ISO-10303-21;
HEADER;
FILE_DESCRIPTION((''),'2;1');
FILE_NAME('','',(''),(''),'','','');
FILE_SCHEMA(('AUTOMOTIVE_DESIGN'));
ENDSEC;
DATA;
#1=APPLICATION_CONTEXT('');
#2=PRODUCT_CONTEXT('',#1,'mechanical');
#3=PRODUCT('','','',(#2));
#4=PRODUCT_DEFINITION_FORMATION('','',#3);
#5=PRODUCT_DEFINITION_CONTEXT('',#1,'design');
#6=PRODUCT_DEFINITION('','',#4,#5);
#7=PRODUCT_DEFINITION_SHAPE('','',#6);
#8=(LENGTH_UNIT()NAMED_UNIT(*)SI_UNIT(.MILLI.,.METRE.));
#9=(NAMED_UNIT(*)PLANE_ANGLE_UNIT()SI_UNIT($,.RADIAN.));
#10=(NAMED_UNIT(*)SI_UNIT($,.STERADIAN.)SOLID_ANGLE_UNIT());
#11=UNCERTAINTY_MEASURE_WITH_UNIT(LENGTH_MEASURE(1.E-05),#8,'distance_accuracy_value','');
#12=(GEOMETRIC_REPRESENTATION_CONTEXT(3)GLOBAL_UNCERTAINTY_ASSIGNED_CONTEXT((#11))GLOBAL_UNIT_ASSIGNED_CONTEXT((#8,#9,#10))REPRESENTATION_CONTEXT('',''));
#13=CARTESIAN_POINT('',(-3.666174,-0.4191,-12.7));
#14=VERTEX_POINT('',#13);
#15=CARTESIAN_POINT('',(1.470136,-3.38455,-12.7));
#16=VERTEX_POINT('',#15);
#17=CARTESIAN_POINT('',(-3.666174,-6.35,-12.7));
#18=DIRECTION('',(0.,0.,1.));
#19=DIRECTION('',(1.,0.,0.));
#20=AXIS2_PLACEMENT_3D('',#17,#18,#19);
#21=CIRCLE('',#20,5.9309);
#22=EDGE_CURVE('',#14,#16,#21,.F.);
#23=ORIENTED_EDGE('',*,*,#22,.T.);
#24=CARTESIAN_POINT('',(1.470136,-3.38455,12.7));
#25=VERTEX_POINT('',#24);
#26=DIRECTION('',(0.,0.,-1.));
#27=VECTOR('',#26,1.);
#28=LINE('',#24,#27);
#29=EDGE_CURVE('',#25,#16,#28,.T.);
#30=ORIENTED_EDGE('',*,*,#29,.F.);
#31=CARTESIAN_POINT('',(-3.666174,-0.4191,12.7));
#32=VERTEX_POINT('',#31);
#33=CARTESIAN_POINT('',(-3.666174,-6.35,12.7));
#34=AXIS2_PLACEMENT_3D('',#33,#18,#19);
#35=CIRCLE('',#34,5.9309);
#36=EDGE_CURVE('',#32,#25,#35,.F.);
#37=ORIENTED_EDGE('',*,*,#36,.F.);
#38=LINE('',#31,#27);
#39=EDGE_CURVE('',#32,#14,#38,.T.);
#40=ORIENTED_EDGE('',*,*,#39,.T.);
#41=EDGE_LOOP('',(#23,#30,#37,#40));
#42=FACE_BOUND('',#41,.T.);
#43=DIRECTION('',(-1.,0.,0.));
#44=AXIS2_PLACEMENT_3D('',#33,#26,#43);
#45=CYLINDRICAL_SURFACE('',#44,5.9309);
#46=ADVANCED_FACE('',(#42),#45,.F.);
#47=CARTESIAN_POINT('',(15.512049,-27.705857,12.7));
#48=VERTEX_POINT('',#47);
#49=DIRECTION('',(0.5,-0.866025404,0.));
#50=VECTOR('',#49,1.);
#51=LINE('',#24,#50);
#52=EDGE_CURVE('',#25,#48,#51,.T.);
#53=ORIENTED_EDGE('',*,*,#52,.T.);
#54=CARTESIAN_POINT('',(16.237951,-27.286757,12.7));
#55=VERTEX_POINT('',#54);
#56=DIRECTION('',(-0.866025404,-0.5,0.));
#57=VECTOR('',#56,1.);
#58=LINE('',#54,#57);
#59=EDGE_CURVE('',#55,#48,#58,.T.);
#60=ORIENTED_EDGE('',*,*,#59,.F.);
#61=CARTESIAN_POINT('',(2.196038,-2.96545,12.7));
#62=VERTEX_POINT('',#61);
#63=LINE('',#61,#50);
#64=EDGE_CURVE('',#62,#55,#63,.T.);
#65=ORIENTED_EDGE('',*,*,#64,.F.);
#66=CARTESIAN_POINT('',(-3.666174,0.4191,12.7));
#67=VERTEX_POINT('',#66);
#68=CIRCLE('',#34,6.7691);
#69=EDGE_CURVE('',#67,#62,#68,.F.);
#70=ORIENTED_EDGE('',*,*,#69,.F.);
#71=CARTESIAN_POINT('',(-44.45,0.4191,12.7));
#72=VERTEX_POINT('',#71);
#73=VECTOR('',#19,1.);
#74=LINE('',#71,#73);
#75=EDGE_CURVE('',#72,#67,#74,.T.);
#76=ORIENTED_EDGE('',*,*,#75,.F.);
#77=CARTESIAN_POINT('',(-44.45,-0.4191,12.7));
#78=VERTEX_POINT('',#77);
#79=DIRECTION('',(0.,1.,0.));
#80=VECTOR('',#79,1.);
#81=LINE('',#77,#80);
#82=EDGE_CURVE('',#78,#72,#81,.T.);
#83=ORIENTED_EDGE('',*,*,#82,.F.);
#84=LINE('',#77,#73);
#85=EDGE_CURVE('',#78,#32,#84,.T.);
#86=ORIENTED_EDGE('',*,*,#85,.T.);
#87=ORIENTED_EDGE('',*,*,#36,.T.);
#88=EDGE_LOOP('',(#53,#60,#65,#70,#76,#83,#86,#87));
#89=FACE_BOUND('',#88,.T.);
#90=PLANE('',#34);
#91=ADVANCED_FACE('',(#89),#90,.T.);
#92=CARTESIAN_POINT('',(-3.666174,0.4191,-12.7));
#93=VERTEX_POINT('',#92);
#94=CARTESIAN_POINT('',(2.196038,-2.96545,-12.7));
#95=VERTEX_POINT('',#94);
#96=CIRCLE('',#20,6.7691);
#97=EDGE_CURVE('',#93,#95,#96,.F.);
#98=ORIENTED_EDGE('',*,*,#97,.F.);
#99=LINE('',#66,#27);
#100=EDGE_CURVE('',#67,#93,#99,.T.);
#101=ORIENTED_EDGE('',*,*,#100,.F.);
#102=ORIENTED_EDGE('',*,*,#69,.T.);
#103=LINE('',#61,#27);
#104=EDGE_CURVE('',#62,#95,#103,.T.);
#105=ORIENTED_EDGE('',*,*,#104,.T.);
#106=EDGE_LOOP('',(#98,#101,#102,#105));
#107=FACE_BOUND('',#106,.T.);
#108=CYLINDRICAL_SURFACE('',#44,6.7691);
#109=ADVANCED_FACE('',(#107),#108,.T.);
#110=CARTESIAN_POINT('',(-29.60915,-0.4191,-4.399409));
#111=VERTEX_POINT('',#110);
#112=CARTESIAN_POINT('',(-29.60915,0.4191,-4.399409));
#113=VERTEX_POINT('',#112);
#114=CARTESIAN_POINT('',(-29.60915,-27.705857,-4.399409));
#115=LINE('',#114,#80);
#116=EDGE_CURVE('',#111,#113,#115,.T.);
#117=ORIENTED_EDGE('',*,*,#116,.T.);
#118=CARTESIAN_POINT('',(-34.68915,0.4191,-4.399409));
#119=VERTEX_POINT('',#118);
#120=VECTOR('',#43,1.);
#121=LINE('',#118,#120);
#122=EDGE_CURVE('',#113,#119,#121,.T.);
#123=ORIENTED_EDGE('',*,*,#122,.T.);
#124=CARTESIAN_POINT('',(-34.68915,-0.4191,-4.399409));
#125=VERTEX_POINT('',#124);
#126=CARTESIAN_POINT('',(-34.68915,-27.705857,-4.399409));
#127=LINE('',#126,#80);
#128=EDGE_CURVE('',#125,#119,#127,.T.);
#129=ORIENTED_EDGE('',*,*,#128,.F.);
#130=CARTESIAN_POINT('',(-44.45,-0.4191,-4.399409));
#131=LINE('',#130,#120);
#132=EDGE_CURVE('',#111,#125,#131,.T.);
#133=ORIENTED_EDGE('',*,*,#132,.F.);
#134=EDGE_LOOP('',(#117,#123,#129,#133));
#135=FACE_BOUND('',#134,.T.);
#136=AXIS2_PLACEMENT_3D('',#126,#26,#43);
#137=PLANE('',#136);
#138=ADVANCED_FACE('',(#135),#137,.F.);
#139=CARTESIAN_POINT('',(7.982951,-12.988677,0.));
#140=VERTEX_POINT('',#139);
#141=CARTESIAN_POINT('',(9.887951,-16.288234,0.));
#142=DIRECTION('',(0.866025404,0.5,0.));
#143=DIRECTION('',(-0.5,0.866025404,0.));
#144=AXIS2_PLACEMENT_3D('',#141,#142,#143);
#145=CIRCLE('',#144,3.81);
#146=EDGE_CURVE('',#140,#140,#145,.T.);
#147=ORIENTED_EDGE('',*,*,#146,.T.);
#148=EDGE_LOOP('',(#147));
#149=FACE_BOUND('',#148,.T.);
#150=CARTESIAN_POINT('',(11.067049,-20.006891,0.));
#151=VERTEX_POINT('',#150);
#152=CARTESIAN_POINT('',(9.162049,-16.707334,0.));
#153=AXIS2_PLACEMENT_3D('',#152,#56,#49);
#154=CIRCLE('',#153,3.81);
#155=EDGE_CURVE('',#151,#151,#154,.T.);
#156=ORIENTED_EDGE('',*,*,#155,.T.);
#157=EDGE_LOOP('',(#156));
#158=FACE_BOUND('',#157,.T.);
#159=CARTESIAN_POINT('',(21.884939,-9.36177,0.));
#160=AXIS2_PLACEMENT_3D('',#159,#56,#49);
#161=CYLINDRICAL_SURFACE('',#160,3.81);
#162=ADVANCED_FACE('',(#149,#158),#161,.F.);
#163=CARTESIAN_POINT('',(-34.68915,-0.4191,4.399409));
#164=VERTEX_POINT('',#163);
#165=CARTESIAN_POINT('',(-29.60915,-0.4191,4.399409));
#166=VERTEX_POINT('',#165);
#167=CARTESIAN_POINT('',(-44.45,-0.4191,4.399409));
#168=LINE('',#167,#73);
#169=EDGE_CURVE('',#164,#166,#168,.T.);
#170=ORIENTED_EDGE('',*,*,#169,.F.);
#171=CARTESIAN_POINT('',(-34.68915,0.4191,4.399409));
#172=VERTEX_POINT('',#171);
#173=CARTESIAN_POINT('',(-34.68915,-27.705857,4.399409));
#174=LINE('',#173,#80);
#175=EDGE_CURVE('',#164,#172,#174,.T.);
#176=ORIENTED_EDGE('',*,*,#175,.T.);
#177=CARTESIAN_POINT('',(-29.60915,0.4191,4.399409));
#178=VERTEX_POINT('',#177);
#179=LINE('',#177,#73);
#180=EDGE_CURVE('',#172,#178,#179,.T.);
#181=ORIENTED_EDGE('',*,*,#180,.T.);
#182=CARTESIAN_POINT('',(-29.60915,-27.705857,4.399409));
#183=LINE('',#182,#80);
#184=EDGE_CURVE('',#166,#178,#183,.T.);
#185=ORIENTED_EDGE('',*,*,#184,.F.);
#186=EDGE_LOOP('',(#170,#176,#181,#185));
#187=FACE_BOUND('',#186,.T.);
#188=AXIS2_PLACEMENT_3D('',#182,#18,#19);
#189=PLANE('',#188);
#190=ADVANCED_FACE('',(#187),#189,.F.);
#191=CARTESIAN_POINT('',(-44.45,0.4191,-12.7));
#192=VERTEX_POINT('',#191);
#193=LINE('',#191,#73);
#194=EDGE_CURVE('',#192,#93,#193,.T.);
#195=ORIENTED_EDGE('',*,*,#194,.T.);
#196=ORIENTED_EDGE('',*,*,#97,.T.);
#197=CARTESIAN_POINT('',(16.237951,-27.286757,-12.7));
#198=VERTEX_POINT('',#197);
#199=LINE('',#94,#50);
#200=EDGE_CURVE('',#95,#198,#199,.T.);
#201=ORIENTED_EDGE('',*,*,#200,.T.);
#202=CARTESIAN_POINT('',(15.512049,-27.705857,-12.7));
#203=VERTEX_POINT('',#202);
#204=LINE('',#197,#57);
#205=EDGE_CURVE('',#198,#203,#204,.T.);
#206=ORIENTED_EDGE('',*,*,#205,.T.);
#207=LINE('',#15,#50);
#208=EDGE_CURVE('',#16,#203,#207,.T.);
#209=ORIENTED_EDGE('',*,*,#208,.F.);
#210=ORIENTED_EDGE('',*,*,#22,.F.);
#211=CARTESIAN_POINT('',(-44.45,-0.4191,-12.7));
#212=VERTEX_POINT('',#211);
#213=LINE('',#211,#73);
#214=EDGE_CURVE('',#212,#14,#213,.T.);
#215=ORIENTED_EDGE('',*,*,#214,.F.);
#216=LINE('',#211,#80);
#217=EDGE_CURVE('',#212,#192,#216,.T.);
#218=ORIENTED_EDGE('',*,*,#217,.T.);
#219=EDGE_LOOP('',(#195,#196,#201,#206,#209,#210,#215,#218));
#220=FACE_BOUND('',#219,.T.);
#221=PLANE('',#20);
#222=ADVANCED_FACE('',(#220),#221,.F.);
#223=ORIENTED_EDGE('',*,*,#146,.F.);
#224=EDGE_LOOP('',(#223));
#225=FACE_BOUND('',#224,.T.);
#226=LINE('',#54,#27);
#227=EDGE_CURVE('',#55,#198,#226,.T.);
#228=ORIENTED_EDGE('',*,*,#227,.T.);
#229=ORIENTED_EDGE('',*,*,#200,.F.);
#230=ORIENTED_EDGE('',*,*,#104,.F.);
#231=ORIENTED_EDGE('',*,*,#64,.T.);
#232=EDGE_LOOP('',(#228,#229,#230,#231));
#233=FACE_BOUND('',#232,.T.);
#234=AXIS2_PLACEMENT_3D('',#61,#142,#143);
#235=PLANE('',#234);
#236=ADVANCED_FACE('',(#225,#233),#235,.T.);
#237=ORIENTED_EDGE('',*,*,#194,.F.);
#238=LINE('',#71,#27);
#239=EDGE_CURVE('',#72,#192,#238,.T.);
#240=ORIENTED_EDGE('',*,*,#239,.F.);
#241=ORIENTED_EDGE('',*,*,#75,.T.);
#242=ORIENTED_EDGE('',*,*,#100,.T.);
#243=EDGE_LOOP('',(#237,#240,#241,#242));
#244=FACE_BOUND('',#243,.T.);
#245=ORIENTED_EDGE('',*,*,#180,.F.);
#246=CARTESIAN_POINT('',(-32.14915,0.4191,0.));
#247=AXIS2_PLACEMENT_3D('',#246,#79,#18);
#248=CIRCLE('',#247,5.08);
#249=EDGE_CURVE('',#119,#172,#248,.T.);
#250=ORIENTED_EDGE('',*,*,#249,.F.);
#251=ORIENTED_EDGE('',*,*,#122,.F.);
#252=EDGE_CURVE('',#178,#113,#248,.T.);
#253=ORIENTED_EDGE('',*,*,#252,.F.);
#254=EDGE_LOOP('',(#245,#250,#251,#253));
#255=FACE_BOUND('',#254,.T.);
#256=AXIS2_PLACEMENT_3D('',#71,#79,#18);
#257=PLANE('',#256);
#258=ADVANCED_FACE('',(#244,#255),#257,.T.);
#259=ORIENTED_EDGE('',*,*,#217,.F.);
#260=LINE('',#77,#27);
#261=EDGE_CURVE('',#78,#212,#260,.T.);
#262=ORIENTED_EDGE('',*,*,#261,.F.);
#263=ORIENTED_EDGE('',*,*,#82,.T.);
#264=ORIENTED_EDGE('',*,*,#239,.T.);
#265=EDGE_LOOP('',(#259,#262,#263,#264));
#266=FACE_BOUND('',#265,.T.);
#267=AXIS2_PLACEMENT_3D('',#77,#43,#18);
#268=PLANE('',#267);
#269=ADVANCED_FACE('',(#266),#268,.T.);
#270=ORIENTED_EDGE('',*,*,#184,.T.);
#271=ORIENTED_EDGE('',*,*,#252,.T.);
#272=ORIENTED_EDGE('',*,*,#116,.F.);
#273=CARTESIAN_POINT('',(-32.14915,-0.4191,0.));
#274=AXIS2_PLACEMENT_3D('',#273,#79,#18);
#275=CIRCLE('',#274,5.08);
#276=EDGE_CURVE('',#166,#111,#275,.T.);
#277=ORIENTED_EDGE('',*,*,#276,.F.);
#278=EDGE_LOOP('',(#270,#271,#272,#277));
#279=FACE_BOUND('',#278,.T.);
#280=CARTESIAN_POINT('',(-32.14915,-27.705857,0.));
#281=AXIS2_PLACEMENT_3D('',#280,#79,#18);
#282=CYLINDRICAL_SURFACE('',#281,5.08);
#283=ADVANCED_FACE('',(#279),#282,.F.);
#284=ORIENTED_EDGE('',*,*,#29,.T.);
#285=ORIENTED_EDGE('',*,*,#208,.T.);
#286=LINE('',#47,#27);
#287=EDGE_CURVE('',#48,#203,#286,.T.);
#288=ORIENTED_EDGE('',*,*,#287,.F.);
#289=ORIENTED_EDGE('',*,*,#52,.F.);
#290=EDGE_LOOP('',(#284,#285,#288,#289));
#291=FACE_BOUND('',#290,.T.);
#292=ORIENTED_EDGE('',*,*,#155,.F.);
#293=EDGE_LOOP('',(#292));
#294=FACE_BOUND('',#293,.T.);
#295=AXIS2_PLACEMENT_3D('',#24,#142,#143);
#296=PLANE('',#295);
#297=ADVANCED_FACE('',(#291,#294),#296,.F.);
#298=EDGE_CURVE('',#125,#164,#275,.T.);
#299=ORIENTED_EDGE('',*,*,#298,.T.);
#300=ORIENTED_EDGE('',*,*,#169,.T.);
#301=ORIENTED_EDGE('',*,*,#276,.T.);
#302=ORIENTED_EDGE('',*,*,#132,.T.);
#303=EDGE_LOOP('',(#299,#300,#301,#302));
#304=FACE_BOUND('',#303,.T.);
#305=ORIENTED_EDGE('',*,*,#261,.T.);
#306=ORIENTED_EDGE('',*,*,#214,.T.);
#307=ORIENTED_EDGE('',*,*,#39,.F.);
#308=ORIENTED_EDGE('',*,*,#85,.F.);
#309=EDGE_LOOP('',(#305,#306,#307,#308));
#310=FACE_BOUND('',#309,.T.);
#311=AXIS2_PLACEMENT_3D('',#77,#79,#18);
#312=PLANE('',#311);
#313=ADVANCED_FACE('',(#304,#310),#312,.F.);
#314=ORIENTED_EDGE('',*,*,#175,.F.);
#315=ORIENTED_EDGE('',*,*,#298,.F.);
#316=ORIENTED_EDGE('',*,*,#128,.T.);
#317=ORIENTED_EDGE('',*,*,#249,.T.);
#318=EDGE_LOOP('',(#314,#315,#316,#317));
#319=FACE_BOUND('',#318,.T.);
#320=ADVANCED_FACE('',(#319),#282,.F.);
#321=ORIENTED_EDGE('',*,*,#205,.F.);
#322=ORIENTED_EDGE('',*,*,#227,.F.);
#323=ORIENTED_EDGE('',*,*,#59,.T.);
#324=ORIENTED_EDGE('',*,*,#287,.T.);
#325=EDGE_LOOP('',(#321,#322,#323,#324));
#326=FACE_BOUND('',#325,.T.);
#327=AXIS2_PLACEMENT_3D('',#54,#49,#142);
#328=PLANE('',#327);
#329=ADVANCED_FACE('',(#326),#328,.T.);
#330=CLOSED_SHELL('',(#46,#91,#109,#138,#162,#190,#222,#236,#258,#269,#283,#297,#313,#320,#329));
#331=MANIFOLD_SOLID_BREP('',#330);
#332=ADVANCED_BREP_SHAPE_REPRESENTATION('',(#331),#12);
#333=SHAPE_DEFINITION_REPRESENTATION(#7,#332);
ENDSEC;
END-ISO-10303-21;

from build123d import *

# Parameters (mm, degrees)
EXTRUDE_THIN1_DEPTH = 12.7
CUT_EXTRUDE1_DEPTH  = 55.111973556
SKETCH3_R           = 3.81
CUT_EXTRUDE2_DEPTH  = 54.488360816


with BuildPart() as part:
    # Sketch1 → Extrude-Thin1 (new, symmetric)
    with BuildSketch(Plane.XY):
        with BuildLine():
            Line((-44.45, -0.4191), (-3.666174209, -0.4191))
            ThreePointArc((-3.666174209, -0.4191), (-0.700724209, -1.213689933), (1.470135858, -3.38455))
            Line((1.470135858, -3.38455), (15.512048753, -27.70585657))
            Line((15.512048753, -27.70585657), (16.237951247, -27.28675657))
            Line((16.237951247, -27.28675657), (2.196038351, -2.96545))
            ThreePointArc((2.196038351, -2.96545), (-0.281624209, -0.487787439), (-3.666174209, 0.4191))
            Line((-3.666174209, 0.4191), (-44.45, 0.4191))
            Line((-44.45, 0.4191), (-44.45, -0.4191))
        make_face()
    extrude(amount=EXTRUDE_THIN1_DEPTH, both=True)

    # Sketch2 → Cut-Extrude1 (cut, through all)
    with BuildSketch(Plane(origin=(0, 0.4191, 0), x_dir=(1, 0, 0), z_dir=(0, 1, 0))):
        with BuildLine():
            Line((-34.689149884, 4.399409051), (-29.609149884, 4.399409051))
            ThreePointArc((-29.609149884, 4.399409051), (-27.069149884, 0), (-29.609149884, -4.399409051))
            Line((-29.609149884, -4.399409051), (-34.689149884, -4.399409051))
            ThreePointArc((-34.689149884, -4.399409051), (-37.229149884, 0), (-34.689149884, 4.399409051))
        make_face()
    extrude(amount=-CUT_EXTRUDE1_DEPTH, mode=Mode.SUBTRACT)

    # Sketch3 → Cut-Extrude2 (cut, through all)
    with BuildSketch(Plane(origin=(-0.362951247, -0.20955, 0), x_dir=(0, 0, 1), z_dir=(-0.8660254037844389, -0.49999999999999983, 0))):
        with Locations(Location((0, -19.05, 0), (0, 0, 270))):
            Circle(SKETCH3_R)
    extrude(amount=-CUT_EXTRUDE2_DEPTH, mode=Mode.SUBTRACT)


solid = part.part
